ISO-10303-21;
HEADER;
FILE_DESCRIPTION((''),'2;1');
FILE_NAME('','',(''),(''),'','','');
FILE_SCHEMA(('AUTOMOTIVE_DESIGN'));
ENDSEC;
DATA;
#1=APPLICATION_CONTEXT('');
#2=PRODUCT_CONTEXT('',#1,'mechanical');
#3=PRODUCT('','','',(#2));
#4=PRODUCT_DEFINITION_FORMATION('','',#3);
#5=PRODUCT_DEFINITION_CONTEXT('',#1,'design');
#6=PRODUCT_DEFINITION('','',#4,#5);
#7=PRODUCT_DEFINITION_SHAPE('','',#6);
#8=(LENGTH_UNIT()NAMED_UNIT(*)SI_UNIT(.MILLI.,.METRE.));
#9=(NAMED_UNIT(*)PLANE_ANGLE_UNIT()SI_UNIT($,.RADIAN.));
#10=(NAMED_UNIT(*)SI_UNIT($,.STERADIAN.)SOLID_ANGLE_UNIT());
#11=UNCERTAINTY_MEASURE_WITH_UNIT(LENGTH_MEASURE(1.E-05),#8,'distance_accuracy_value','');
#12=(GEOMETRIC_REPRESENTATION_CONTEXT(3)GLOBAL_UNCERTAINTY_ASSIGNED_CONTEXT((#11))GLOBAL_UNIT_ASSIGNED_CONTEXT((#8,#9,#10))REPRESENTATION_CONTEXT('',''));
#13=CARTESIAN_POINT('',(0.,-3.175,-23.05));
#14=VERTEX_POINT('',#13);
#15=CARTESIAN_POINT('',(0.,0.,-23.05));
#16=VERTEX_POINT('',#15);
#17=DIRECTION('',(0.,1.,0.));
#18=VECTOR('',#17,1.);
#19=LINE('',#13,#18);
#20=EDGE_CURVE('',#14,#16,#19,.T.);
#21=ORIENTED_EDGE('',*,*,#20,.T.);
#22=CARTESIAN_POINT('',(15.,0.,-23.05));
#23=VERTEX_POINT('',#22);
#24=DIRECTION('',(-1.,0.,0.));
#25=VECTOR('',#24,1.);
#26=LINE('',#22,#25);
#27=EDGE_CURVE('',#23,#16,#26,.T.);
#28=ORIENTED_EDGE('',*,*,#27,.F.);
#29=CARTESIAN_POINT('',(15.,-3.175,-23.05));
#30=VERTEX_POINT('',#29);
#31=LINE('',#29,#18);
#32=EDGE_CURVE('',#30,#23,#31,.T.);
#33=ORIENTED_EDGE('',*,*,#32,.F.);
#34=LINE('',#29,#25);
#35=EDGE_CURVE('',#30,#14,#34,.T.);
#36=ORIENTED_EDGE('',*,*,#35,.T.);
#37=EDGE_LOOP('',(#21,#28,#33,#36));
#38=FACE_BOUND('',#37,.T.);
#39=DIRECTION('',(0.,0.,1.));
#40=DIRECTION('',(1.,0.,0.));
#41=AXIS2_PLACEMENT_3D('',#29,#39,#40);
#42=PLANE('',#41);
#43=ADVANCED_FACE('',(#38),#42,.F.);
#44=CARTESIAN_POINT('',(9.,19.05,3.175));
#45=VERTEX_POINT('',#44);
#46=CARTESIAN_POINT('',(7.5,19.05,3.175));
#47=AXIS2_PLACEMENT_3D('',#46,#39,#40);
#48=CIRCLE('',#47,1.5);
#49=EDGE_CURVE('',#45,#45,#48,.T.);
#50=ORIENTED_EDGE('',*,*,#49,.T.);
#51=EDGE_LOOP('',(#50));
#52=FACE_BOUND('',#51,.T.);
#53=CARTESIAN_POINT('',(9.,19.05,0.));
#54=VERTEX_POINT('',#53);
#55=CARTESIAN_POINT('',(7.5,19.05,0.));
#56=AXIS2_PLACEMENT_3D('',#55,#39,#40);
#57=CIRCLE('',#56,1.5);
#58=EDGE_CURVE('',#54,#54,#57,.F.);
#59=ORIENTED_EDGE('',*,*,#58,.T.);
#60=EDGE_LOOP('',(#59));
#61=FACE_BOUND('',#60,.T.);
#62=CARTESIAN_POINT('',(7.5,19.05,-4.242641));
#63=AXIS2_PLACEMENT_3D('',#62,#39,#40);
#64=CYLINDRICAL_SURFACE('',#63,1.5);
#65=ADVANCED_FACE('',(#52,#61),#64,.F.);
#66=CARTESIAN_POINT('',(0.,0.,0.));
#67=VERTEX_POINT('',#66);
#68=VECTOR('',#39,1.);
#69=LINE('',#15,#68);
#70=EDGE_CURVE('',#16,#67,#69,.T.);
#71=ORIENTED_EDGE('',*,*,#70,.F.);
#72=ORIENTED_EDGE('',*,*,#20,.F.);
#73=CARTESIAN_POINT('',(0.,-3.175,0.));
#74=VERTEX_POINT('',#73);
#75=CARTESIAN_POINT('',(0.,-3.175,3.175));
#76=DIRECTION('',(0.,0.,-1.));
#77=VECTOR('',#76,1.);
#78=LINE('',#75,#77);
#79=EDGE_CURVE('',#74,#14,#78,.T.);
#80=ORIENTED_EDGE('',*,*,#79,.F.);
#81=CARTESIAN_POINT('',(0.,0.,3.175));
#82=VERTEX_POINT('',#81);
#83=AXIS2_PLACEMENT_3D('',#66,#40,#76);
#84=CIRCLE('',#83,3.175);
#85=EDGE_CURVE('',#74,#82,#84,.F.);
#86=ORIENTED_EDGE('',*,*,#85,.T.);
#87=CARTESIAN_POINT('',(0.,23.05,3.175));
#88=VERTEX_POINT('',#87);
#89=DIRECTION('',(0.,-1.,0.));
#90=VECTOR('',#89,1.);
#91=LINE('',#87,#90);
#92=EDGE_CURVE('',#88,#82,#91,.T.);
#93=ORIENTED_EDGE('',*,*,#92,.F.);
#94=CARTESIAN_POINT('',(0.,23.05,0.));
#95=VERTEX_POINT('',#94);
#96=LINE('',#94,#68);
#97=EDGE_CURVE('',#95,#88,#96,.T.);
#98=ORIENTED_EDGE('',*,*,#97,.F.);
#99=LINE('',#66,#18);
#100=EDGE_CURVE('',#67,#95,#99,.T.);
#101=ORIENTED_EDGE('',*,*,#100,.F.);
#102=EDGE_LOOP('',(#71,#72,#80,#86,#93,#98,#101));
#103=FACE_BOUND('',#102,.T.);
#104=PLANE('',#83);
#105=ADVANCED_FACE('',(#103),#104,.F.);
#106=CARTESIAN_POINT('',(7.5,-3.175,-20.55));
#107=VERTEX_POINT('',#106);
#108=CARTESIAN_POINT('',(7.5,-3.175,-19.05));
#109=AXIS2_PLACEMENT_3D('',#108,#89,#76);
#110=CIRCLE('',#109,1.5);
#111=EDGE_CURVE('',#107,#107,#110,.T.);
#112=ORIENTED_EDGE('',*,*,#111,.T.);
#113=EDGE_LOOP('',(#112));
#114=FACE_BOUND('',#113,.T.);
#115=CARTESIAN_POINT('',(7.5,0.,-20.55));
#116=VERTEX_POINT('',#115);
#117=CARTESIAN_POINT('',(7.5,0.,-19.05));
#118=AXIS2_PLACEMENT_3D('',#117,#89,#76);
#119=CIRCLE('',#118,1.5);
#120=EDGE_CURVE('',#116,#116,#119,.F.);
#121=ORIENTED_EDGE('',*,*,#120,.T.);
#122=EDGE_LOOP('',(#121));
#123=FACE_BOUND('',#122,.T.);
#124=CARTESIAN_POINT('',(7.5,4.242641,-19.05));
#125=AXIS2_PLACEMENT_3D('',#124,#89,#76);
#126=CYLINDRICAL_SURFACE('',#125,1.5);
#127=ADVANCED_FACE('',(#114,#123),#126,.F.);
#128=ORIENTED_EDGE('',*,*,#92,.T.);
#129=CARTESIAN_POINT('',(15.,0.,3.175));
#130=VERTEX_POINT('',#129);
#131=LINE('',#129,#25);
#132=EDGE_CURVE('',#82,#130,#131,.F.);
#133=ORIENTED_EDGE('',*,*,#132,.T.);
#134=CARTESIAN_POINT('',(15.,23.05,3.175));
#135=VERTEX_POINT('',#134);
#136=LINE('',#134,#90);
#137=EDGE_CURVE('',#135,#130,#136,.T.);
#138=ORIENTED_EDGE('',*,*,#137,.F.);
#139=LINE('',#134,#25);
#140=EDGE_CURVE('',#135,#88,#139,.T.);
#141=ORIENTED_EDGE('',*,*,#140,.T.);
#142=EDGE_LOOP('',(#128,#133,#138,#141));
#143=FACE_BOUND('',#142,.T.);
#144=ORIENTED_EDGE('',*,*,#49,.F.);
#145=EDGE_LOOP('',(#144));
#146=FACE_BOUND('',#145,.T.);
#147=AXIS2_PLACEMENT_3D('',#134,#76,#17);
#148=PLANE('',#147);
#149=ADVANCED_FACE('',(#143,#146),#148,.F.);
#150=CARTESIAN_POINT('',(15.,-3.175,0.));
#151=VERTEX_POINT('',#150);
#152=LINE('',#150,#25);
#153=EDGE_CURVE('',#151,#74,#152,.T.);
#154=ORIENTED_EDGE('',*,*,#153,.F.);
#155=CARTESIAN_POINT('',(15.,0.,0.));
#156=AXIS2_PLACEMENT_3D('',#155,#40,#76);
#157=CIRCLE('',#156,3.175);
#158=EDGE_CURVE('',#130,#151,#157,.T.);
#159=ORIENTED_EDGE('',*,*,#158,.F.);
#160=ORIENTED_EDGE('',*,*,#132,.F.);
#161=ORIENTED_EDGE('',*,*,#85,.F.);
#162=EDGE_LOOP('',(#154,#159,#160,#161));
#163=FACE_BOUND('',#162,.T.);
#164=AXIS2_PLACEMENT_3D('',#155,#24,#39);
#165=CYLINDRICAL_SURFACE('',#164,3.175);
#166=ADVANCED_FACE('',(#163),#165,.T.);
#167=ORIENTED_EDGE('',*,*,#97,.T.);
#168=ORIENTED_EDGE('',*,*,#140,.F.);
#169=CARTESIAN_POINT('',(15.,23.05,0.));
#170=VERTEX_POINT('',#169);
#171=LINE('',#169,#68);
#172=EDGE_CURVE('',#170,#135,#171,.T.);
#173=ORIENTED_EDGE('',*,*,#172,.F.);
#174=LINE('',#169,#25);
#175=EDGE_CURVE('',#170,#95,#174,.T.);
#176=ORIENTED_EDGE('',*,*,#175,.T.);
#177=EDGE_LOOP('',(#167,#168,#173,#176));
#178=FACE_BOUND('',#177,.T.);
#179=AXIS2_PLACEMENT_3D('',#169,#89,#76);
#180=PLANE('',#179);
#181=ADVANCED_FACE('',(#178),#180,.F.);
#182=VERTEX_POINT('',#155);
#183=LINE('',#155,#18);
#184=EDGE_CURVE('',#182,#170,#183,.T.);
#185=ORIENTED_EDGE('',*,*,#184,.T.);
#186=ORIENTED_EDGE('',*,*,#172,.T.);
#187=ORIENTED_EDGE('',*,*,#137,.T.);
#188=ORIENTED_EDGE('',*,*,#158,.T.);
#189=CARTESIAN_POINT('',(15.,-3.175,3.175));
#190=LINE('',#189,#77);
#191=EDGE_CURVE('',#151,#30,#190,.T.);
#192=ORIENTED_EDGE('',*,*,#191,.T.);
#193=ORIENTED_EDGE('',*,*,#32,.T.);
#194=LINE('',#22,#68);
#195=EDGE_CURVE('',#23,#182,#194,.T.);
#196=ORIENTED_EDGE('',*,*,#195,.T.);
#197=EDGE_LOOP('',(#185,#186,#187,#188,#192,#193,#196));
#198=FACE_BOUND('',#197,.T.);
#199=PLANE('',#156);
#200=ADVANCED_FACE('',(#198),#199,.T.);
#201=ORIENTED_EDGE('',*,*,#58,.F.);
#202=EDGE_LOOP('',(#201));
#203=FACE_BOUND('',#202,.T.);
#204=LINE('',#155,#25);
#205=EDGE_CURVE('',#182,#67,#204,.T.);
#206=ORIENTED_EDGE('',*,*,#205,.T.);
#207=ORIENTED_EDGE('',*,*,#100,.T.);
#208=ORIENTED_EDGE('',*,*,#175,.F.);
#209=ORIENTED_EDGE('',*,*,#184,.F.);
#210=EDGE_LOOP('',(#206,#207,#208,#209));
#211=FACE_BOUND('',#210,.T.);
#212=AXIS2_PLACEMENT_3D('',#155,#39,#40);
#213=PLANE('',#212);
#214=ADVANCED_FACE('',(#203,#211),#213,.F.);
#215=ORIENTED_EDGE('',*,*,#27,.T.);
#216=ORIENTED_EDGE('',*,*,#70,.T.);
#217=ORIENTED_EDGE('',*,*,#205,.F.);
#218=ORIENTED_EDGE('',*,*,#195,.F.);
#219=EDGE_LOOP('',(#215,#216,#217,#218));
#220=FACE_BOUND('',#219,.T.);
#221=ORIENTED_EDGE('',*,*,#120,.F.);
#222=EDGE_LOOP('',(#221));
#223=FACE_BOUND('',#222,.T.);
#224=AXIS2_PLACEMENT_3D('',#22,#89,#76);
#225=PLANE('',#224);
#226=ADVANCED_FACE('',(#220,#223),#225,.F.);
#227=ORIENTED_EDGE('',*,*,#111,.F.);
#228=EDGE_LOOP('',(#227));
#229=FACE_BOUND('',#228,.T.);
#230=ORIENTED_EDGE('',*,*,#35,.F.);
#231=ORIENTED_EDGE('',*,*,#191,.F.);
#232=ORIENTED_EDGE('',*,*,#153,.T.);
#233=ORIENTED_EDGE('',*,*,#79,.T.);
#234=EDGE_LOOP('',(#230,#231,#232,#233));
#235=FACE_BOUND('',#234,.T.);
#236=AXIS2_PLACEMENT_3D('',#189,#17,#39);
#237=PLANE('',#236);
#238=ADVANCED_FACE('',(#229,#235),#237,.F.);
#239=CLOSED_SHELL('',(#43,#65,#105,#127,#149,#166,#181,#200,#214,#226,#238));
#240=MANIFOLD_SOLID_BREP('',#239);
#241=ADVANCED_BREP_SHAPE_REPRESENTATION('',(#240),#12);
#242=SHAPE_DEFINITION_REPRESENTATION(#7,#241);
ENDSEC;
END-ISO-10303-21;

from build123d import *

# Parameters (mm, degrees)
BOSS_EXTRUDE1_DEPTH = 15
FILLET2_R           = 3.175
SKETCH7_R           = 1.5
CUT_EXTRUDE4_DEPTH  = 3.175
SKETCH8_R           = 1.5
CUT_EXTRUDE5_DEPTH  = 3.175


with BuildPart() as part:
    # Sketch1 → Boss-Extrude1 (new body)
    with BuildSketch(Plane(origin=(0, 0, 0), x_dir=(0, 0, -1), z_dir=(1, 0, 0))):
        Polygon((-3.175, 23.05), (-3.175, -3.175), (23.05, -3.175), (23.05, 0), (0, 0), (0, 23.05), align=None)
    extrude(amount=BOSS_EXTRUDE1_DEPTH)

    # Fillet2
    fillet2_edges = [part.edges().sort_by_distance(p)[0] for p in [
        (7.5, -3.175, 3.175),
    ]]
    fillet(fillet2_edges, radius=FILLET2_R)

    # Sketch7 → Cut-Extrude4 (cut)
    with BuildSketch(Plane.XY.offset(3.175)):
        with Locations((7.5, 19.05)):
            Circle(SKETCH7_R)
    extrude(amount=-CUT_EXTRUDE4_DEPTH, mode=Mode.SUBTRACT)

    # Sketch8 → Cut-Extrude5 (cut)
    with BuildSketch(Plane.XZ.offset(3.175)):
        with Locations((7.5, -19.05)):
            Circle(SKETCH8_R)
    extrude(amount=-CUT_EXTRUDE5_DEPTH, mode=Mode.SUBTRACT)


solid = part.part
